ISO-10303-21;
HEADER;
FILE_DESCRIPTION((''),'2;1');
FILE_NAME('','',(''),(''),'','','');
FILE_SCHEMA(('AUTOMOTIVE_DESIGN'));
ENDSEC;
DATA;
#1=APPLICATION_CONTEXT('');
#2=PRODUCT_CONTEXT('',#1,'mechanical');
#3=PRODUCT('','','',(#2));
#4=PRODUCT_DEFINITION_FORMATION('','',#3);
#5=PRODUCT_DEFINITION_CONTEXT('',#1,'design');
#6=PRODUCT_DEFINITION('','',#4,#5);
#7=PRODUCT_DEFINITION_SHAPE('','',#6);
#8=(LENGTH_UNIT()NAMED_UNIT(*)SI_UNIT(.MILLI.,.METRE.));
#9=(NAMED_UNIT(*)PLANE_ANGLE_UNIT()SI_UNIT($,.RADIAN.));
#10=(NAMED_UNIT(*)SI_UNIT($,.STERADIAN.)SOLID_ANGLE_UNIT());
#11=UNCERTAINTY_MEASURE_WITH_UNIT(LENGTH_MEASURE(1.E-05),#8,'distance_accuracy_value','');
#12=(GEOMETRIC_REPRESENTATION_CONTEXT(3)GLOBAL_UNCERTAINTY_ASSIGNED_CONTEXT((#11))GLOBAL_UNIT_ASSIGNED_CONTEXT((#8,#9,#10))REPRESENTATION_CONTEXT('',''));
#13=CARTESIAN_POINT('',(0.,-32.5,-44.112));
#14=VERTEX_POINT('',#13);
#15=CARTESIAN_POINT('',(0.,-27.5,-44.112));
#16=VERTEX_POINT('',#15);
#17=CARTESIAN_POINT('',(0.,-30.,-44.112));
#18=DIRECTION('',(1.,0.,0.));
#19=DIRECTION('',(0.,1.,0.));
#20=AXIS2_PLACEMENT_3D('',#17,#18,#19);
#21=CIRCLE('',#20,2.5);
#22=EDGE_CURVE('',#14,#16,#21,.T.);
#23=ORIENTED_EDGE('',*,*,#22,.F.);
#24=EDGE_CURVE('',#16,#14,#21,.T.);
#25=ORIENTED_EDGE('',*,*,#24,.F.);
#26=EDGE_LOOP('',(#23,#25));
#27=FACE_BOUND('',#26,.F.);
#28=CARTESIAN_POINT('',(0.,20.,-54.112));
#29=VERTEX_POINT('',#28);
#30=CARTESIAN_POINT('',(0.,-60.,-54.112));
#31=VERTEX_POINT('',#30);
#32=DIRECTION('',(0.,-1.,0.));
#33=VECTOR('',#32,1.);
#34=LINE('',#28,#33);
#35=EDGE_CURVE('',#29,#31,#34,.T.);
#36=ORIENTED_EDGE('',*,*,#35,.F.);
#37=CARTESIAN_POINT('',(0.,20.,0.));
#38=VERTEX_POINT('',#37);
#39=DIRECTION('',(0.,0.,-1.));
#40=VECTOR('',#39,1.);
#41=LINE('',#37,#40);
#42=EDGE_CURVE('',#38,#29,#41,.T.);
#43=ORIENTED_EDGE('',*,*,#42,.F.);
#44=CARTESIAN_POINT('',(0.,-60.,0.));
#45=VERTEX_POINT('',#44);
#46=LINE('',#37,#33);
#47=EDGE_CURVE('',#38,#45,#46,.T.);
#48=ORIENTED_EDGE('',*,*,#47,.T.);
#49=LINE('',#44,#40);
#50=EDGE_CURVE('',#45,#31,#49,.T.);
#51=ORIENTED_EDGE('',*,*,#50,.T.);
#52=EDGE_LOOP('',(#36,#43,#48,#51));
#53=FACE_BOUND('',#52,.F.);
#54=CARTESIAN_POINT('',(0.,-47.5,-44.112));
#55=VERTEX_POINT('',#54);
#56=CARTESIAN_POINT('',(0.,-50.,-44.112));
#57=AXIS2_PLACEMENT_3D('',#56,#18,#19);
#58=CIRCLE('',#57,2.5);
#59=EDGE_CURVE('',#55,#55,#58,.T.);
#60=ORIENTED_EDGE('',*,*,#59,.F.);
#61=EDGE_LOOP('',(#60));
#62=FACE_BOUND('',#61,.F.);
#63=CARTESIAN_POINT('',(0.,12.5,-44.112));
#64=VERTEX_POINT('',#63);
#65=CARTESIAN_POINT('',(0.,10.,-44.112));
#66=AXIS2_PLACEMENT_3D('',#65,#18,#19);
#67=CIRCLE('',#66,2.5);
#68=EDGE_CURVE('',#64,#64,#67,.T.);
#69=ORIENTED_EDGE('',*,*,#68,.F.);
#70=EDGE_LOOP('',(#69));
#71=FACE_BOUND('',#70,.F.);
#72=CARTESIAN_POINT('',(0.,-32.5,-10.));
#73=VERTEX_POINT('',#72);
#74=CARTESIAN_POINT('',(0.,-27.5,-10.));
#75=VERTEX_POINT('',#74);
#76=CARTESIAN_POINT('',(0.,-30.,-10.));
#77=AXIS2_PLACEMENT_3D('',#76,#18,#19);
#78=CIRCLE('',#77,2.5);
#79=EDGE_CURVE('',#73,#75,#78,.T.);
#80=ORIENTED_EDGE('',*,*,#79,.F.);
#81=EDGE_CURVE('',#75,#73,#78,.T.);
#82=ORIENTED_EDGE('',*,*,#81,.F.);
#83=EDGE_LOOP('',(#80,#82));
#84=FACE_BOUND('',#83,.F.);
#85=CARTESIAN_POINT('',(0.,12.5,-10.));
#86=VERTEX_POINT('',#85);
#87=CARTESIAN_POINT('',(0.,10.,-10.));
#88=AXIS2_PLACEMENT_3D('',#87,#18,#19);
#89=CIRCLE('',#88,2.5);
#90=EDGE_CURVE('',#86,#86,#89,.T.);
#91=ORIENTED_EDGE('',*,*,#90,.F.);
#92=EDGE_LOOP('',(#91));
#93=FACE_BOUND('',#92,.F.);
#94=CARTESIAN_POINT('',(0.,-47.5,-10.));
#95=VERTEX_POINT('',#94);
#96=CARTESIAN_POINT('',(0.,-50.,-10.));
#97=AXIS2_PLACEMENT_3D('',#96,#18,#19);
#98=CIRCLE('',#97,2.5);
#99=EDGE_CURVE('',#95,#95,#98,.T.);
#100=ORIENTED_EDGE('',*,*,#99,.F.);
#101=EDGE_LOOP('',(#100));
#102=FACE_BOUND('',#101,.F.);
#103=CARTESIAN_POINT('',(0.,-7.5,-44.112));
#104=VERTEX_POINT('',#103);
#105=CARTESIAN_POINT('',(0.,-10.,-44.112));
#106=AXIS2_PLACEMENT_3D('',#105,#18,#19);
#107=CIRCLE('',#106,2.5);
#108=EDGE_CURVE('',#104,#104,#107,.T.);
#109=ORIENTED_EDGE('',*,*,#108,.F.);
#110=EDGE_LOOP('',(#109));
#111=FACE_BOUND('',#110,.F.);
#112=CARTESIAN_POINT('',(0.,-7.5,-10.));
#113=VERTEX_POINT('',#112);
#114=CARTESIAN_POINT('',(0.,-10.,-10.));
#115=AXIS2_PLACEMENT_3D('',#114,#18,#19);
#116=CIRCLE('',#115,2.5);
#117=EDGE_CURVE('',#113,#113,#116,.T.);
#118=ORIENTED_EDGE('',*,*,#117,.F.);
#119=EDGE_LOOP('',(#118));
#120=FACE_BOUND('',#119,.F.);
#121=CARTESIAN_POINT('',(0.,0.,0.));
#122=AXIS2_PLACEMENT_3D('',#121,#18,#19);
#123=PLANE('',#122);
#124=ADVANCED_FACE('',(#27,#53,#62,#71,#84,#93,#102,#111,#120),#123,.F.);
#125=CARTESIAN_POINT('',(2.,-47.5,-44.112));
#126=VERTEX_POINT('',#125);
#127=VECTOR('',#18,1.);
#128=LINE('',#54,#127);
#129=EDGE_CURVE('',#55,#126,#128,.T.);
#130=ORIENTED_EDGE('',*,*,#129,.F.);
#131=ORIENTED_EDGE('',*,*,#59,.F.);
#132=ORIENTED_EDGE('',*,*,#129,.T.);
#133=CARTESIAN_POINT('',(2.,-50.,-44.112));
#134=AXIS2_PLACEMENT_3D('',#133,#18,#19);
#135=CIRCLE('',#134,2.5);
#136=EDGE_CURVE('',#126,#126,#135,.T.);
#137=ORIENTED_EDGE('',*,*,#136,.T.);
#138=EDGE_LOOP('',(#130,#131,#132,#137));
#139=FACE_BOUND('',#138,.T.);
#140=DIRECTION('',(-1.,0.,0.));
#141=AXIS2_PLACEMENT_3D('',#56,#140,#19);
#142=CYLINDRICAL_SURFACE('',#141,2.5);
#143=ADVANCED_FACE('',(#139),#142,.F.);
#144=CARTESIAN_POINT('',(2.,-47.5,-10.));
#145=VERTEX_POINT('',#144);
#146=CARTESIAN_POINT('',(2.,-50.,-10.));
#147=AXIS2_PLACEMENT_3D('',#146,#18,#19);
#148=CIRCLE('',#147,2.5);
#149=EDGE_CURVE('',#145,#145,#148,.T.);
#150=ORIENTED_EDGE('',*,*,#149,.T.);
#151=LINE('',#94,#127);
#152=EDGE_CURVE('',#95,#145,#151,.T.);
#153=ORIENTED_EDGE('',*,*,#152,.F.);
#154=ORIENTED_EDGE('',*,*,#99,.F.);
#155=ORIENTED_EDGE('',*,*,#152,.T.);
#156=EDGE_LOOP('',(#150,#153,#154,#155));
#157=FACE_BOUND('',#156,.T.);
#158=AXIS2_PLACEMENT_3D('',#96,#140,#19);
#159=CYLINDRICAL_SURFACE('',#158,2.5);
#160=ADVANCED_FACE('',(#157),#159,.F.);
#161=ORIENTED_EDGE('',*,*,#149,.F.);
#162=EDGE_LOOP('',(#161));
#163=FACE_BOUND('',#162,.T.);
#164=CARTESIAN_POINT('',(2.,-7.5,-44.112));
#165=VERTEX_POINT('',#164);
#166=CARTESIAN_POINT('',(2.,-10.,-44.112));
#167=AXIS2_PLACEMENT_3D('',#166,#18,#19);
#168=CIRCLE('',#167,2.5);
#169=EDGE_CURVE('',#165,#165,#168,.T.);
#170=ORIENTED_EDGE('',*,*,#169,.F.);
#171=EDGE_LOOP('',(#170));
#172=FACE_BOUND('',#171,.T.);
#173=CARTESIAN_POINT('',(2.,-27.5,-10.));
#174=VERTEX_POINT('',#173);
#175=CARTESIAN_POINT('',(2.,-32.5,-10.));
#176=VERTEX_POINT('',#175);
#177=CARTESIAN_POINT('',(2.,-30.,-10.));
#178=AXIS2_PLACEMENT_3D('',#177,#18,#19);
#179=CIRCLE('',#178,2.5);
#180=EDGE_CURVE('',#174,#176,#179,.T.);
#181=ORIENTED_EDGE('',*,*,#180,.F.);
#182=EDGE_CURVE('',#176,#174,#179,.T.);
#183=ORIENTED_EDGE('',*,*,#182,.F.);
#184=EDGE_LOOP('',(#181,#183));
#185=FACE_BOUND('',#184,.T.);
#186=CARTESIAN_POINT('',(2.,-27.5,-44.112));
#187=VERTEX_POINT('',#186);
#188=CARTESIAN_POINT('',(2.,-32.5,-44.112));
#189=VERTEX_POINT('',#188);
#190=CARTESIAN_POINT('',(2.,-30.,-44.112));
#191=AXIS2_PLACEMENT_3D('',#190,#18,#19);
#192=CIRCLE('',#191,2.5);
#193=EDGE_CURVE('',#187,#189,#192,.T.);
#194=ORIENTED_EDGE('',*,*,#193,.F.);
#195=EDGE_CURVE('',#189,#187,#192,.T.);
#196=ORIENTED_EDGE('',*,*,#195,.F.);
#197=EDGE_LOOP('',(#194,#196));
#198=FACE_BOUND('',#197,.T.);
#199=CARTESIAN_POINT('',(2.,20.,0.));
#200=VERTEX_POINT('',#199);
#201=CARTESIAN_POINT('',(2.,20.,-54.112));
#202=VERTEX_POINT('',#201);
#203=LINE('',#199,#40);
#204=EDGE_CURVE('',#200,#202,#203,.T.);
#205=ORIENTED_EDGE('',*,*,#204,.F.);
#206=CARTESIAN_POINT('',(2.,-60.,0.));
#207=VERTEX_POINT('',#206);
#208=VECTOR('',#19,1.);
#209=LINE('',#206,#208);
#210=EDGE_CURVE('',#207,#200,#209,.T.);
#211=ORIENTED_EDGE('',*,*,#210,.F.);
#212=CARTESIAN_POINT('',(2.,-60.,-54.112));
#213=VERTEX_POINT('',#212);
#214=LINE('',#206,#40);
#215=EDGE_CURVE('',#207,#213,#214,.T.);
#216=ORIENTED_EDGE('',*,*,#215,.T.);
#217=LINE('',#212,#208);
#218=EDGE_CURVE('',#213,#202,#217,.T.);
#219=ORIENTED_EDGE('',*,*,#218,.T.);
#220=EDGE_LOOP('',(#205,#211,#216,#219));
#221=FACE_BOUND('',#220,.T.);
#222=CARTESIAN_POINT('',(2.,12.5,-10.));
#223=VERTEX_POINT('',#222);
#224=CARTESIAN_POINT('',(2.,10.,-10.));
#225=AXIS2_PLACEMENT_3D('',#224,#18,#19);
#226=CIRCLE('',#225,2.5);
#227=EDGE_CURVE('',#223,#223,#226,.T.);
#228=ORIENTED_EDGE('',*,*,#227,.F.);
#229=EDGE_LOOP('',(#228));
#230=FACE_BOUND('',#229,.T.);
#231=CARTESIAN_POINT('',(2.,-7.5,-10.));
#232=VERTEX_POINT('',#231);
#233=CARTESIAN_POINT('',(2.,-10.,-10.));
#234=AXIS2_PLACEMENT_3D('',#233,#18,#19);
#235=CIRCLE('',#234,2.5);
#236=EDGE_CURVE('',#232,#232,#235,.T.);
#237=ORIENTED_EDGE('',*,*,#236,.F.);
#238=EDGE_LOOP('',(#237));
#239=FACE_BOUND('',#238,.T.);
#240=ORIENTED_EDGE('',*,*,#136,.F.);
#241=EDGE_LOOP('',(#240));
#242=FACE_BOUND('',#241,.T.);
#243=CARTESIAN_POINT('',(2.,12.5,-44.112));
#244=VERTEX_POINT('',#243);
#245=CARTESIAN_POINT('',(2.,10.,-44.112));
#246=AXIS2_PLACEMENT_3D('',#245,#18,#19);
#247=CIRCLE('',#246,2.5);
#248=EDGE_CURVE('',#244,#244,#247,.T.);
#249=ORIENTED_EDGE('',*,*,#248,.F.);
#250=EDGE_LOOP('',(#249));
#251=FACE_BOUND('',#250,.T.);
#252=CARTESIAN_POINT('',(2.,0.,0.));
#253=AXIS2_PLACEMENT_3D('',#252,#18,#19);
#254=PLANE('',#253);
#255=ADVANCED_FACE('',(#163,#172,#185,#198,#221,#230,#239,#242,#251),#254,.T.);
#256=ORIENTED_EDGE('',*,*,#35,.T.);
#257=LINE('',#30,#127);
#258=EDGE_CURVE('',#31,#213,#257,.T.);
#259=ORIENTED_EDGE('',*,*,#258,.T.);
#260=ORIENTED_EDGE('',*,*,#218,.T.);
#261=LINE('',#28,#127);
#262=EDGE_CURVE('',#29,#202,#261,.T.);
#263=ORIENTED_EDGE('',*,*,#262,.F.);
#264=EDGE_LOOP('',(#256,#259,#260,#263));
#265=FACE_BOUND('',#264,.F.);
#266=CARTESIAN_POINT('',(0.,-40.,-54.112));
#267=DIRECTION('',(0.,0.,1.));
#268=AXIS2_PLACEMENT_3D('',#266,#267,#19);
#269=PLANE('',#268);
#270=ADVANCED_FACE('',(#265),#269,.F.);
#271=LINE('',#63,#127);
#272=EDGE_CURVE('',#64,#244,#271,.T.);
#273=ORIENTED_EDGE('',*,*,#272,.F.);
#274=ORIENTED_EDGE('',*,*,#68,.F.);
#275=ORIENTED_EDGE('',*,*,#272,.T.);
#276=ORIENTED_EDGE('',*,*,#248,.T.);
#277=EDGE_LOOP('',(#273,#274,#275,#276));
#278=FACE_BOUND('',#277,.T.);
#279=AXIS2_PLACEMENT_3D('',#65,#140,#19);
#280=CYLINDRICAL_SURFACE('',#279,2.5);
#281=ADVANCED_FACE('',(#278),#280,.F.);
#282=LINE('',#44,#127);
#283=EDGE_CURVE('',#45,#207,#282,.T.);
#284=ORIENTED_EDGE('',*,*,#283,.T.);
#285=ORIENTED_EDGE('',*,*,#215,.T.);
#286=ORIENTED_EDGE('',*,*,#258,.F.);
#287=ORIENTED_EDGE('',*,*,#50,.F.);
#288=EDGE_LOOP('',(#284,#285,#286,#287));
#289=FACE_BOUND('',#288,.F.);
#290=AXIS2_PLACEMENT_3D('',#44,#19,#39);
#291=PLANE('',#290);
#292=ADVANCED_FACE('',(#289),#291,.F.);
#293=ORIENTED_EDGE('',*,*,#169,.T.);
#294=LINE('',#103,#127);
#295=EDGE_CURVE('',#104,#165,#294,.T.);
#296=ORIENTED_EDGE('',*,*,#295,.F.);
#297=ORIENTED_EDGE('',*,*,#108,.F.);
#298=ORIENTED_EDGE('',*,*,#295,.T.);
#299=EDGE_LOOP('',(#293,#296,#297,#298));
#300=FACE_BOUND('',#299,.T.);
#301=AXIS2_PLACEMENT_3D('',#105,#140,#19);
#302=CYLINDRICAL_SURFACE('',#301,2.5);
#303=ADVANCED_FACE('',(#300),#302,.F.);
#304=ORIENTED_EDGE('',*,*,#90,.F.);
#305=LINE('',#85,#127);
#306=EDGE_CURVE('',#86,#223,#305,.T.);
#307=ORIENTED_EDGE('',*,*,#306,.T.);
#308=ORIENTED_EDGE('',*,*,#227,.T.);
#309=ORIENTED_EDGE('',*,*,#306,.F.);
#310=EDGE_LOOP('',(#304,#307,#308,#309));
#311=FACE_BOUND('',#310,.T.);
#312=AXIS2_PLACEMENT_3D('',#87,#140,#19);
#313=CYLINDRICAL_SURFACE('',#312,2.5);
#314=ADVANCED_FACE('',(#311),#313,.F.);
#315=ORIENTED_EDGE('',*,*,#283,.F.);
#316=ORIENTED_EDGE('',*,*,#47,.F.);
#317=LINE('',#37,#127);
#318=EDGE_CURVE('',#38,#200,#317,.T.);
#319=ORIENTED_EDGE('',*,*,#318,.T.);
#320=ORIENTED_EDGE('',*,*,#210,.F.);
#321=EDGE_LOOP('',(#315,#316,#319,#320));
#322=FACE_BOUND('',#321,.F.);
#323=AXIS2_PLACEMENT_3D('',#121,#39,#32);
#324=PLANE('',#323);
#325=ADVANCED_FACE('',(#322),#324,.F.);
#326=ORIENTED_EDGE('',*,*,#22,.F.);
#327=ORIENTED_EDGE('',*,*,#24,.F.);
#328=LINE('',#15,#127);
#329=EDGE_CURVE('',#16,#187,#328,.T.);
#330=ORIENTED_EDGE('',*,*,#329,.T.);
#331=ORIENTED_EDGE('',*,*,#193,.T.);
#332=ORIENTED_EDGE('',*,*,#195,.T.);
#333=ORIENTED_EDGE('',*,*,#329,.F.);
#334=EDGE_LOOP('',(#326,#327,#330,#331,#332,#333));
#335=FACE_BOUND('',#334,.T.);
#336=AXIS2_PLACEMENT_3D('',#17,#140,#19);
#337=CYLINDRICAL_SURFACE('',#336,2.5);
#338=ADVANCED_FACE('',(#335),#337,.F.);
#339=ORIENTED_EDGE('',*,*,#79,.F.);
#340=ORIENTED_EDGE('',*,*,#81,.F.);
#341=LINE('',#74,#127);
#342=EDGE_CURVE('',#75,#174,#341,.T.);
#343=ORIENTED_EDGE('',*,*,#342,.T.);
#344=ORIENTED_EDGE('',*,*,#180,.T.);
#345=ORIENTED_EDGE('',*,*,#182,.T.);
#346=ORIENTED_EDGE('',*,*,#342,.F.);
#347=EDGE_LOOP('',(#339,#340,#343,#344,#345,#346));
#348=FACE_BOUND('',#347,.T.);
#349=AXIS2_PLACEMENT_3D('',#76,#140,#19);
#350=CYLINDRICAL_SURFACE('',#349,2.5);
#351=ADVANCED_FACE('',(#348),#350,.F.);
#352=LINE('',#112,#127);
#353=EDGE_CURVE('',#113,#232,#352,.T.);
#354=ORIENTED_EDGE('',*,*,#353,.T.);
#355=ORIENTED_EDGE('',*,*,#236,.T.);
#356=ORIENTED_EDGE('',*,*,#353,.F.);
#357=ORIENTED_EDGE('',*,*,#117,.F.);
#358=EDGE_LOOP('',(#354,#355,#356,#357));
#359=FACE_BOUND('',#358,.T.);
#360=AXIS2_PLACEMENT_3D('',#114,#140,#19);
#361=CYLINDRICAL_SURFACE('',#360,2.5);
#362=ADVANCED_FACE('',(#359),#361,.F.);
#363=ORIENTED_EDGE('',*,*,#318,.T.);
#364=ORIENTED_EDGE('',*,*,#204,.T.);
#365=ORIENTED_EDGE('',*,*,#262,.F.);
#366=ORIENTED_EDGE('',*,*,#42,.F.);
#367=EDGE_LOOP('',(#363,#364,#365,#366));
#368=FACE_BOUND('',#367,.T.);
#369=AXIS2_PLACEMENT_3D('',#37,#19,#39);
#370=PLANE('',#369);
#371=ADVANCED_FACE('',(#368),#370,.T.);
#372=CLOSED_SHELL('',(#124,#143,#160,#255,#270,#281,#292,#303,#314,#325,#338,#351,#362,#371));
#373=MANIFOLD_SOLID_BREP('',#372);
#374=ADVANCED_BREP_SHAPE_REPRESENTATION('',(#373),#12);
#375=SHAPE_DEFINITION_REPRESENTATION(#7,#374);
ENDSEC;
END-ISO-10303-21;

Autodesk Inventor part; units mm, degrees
ref_plane "YZ Plane" through (0, 0, 0) normal (1, 0, 0) x (0, 1, 0)
ref_plane "XZ Plane" through (0, 0, 0) normal (0, 1, 0) x (-1, 0, 0)
ref_plane "XY Plane" through (0, 0, 0) normal (0, 0, 1) x (1, 0, 0)
sketch "Sketch1" plane through (0, 0, 0) normal (1, 0, 0) x (0, 1, 0)
  line L0 (0, 0) -> (-40, 0)
  line L1 (-40, 0) -> (-40, -54.112)
  line L2 (-40, -54.112) -> (0, -54.112)
  line L3 (0, -54.112) -> (0, 0)
  line L4 (-40, -54.112) -> (-40, -44.112)
  line L5 (-40, -44.112) -> (-30, -44.112)
  line L6 (-40, 0) -> (-40, -10)
  line L7 (-40, -10) -> (-30, -10)
  line L8 (0, -10) -> (-10, -10)
  circle A0 centre (-10, -10) radius 2.5
  circle A1 centre (-30, -44.112) radius 2.5
  circle A2 centre (-30, -10) radius 2.5
  line L9 (-40, 0) -> (-60, 0)
  line L10 (-60, 0) -> (-60, -54.112)
  line L11 (-60, -54.112) -> (-40, -54.112)
  line L12 (-40, -54.112) -> (-40, 0)
  line L13 (0, 0) -> (20, 0)
  line L14 (20, 0) -> (20, -54.112)
  line L15 (20, -54.112) -> (0, -54.112)
  line L16 (0, -54.112) -> (0, 0)
  circle A3 centre (10, -10) radius 2.5
  circle A4 centre (-50, -44.112) radius 2.5
  circle A5 centre (-50, -10) radius 2.5
  line L17 (0, -54.112) -> (0, -44.112)
  line L18 (0, -44.112) -> (-10, -44.112)
  circle A6 centre (-10, -44.112) radius 2.5
  circle A7 centre (10, -44.112) radius 2.5
  dimension "d0" = 40
  dimension "d1" = 54.112
  dimension "d2" = 10
  dimension "d3" = 10
  dimension "d4" = 10
  dimension "d5" = 10
  dimension "d6" = 5
  dimension "d8" = 5
  dimension "d9" = 5
  dimension "d10" = 20
  dimension "d11" = 20
  dimension "d14" = 10
  dimension "d15" = 10
  dimension "d16" = 5
extrude "Extrusion1" add sketch "Sketch1" along normal blind 2
properties part number "H-Connector_2020"
